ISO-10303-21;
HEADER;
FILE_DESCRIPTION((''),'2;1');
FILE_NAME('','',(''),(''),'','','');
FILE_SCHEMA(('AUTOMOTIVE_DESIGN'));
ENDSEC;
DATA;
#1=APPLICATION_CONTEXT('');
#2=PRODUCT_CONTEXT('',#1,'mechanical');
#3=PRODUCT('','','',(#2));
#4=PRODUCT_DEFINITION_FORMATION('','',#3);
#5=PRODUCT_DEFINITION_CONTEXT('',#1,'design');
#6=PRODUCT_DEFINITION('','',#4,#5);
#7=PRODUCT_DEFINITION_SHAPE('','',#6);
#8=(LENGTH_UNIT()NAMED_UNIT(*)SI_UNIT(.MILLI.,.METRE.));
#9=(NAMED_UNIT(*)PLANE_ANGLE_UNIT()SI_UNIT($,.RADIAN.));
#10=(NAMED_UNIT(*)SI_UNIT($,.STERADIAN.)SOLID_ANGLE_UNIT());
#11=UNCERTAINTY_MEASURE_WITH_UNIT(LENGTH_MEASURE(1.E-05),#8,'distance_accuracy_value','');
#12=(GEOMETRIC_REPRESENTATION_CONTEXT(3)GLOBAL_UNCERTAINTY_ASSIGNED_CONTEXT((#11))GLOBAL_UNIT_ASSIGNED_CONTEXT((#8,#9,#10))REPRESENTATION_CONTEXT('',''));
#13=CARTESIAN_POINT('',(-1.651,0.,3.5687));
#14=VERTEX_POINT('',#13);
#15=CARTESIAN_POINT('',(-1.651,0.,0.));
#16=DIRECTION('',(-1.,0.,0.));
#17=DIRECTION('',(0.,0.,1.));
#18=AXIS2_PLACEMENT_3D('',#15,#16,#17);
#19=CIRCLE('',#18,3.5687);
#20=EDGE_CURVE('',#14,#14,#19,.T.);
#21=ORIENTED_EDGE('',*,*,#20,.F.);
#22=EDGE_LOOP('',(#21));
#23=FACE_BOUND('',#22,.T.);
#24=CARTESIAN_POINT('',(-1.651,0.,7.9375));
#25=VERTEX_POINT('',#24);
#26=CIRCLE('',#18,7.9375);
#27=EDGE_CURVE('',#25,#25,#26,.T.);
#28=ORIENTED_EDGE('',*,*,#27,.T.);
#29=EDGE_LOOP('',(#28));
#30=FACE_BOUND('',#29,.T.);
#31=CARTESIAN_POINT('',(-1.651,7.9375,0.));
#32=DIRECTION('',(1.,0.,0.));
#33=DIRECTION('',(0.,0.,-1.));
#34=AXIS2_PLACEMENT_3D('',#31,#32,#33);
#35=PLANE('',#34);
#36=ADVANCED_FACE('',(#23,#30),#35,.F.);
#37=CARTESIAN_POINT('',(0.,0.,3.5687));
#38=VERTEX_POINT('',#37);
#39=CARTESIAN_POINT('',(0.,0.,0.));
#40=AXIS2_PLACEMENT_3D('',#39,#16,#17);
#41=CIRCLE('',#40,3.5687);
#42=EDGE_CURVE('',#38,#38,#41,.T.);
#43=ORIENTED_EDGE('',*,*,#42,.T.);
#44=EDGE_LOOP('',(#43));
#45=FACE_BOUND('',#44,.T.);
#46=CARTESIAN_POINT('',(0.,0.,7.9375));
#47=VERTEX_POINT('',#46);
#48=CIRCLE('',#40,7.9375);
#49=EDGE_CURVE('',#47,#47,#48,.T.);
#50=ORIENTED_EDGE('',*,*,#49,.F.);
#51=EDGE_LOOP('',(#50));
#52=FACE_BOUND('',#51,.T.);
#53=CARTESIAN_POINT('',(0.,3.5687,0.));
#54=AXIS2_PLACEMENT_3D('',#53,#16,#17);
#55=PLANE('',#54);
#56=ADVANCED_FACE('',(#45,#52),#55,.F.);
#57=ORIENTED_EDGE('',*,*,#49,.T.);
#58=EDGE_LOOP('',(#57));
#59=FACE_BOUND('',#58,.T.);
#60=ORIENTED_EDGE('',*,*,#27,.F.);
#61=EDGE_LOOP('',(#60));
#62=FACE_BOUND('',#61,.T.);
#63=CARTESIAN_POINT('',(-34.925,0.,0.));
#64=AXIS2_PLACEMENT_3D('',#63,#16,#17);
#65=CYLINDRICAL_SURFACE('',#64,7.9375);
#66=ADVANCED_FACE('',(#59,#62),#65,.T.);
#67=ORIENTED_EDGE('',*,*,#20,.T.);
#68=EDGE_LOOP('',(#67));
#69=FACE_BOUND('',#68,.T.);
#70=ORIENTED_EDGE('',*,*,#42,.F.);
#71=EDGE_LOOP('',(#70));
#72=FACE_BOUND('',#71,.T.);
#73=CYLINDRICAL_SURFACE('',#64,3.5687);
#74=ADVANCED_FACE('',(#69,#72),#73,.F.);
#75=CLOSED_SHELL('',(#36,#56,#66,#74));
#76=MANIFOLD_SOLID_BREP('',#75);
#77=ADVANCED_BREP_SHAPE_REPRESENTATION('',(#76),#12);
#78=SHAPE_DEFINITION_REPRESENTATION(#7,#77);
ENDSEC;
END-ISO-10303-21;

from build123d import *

# Parameters (mm, degrees)
SKETCH1_W = 1.651
SKETCH1_H = 4.3688


with BuildPart() as part:
    # Sketch1 → Base-Revolve (revolve)
    with BuildSketch(Plane.XY):
        with Locations((-0.8255, 5.7531)):
            Rectangle(SKETCH1_W, SKETCH1_H)
    revolve(axis=Axis((-34.925, 0, 0), (1, 0, 0)))


solid = part.part
